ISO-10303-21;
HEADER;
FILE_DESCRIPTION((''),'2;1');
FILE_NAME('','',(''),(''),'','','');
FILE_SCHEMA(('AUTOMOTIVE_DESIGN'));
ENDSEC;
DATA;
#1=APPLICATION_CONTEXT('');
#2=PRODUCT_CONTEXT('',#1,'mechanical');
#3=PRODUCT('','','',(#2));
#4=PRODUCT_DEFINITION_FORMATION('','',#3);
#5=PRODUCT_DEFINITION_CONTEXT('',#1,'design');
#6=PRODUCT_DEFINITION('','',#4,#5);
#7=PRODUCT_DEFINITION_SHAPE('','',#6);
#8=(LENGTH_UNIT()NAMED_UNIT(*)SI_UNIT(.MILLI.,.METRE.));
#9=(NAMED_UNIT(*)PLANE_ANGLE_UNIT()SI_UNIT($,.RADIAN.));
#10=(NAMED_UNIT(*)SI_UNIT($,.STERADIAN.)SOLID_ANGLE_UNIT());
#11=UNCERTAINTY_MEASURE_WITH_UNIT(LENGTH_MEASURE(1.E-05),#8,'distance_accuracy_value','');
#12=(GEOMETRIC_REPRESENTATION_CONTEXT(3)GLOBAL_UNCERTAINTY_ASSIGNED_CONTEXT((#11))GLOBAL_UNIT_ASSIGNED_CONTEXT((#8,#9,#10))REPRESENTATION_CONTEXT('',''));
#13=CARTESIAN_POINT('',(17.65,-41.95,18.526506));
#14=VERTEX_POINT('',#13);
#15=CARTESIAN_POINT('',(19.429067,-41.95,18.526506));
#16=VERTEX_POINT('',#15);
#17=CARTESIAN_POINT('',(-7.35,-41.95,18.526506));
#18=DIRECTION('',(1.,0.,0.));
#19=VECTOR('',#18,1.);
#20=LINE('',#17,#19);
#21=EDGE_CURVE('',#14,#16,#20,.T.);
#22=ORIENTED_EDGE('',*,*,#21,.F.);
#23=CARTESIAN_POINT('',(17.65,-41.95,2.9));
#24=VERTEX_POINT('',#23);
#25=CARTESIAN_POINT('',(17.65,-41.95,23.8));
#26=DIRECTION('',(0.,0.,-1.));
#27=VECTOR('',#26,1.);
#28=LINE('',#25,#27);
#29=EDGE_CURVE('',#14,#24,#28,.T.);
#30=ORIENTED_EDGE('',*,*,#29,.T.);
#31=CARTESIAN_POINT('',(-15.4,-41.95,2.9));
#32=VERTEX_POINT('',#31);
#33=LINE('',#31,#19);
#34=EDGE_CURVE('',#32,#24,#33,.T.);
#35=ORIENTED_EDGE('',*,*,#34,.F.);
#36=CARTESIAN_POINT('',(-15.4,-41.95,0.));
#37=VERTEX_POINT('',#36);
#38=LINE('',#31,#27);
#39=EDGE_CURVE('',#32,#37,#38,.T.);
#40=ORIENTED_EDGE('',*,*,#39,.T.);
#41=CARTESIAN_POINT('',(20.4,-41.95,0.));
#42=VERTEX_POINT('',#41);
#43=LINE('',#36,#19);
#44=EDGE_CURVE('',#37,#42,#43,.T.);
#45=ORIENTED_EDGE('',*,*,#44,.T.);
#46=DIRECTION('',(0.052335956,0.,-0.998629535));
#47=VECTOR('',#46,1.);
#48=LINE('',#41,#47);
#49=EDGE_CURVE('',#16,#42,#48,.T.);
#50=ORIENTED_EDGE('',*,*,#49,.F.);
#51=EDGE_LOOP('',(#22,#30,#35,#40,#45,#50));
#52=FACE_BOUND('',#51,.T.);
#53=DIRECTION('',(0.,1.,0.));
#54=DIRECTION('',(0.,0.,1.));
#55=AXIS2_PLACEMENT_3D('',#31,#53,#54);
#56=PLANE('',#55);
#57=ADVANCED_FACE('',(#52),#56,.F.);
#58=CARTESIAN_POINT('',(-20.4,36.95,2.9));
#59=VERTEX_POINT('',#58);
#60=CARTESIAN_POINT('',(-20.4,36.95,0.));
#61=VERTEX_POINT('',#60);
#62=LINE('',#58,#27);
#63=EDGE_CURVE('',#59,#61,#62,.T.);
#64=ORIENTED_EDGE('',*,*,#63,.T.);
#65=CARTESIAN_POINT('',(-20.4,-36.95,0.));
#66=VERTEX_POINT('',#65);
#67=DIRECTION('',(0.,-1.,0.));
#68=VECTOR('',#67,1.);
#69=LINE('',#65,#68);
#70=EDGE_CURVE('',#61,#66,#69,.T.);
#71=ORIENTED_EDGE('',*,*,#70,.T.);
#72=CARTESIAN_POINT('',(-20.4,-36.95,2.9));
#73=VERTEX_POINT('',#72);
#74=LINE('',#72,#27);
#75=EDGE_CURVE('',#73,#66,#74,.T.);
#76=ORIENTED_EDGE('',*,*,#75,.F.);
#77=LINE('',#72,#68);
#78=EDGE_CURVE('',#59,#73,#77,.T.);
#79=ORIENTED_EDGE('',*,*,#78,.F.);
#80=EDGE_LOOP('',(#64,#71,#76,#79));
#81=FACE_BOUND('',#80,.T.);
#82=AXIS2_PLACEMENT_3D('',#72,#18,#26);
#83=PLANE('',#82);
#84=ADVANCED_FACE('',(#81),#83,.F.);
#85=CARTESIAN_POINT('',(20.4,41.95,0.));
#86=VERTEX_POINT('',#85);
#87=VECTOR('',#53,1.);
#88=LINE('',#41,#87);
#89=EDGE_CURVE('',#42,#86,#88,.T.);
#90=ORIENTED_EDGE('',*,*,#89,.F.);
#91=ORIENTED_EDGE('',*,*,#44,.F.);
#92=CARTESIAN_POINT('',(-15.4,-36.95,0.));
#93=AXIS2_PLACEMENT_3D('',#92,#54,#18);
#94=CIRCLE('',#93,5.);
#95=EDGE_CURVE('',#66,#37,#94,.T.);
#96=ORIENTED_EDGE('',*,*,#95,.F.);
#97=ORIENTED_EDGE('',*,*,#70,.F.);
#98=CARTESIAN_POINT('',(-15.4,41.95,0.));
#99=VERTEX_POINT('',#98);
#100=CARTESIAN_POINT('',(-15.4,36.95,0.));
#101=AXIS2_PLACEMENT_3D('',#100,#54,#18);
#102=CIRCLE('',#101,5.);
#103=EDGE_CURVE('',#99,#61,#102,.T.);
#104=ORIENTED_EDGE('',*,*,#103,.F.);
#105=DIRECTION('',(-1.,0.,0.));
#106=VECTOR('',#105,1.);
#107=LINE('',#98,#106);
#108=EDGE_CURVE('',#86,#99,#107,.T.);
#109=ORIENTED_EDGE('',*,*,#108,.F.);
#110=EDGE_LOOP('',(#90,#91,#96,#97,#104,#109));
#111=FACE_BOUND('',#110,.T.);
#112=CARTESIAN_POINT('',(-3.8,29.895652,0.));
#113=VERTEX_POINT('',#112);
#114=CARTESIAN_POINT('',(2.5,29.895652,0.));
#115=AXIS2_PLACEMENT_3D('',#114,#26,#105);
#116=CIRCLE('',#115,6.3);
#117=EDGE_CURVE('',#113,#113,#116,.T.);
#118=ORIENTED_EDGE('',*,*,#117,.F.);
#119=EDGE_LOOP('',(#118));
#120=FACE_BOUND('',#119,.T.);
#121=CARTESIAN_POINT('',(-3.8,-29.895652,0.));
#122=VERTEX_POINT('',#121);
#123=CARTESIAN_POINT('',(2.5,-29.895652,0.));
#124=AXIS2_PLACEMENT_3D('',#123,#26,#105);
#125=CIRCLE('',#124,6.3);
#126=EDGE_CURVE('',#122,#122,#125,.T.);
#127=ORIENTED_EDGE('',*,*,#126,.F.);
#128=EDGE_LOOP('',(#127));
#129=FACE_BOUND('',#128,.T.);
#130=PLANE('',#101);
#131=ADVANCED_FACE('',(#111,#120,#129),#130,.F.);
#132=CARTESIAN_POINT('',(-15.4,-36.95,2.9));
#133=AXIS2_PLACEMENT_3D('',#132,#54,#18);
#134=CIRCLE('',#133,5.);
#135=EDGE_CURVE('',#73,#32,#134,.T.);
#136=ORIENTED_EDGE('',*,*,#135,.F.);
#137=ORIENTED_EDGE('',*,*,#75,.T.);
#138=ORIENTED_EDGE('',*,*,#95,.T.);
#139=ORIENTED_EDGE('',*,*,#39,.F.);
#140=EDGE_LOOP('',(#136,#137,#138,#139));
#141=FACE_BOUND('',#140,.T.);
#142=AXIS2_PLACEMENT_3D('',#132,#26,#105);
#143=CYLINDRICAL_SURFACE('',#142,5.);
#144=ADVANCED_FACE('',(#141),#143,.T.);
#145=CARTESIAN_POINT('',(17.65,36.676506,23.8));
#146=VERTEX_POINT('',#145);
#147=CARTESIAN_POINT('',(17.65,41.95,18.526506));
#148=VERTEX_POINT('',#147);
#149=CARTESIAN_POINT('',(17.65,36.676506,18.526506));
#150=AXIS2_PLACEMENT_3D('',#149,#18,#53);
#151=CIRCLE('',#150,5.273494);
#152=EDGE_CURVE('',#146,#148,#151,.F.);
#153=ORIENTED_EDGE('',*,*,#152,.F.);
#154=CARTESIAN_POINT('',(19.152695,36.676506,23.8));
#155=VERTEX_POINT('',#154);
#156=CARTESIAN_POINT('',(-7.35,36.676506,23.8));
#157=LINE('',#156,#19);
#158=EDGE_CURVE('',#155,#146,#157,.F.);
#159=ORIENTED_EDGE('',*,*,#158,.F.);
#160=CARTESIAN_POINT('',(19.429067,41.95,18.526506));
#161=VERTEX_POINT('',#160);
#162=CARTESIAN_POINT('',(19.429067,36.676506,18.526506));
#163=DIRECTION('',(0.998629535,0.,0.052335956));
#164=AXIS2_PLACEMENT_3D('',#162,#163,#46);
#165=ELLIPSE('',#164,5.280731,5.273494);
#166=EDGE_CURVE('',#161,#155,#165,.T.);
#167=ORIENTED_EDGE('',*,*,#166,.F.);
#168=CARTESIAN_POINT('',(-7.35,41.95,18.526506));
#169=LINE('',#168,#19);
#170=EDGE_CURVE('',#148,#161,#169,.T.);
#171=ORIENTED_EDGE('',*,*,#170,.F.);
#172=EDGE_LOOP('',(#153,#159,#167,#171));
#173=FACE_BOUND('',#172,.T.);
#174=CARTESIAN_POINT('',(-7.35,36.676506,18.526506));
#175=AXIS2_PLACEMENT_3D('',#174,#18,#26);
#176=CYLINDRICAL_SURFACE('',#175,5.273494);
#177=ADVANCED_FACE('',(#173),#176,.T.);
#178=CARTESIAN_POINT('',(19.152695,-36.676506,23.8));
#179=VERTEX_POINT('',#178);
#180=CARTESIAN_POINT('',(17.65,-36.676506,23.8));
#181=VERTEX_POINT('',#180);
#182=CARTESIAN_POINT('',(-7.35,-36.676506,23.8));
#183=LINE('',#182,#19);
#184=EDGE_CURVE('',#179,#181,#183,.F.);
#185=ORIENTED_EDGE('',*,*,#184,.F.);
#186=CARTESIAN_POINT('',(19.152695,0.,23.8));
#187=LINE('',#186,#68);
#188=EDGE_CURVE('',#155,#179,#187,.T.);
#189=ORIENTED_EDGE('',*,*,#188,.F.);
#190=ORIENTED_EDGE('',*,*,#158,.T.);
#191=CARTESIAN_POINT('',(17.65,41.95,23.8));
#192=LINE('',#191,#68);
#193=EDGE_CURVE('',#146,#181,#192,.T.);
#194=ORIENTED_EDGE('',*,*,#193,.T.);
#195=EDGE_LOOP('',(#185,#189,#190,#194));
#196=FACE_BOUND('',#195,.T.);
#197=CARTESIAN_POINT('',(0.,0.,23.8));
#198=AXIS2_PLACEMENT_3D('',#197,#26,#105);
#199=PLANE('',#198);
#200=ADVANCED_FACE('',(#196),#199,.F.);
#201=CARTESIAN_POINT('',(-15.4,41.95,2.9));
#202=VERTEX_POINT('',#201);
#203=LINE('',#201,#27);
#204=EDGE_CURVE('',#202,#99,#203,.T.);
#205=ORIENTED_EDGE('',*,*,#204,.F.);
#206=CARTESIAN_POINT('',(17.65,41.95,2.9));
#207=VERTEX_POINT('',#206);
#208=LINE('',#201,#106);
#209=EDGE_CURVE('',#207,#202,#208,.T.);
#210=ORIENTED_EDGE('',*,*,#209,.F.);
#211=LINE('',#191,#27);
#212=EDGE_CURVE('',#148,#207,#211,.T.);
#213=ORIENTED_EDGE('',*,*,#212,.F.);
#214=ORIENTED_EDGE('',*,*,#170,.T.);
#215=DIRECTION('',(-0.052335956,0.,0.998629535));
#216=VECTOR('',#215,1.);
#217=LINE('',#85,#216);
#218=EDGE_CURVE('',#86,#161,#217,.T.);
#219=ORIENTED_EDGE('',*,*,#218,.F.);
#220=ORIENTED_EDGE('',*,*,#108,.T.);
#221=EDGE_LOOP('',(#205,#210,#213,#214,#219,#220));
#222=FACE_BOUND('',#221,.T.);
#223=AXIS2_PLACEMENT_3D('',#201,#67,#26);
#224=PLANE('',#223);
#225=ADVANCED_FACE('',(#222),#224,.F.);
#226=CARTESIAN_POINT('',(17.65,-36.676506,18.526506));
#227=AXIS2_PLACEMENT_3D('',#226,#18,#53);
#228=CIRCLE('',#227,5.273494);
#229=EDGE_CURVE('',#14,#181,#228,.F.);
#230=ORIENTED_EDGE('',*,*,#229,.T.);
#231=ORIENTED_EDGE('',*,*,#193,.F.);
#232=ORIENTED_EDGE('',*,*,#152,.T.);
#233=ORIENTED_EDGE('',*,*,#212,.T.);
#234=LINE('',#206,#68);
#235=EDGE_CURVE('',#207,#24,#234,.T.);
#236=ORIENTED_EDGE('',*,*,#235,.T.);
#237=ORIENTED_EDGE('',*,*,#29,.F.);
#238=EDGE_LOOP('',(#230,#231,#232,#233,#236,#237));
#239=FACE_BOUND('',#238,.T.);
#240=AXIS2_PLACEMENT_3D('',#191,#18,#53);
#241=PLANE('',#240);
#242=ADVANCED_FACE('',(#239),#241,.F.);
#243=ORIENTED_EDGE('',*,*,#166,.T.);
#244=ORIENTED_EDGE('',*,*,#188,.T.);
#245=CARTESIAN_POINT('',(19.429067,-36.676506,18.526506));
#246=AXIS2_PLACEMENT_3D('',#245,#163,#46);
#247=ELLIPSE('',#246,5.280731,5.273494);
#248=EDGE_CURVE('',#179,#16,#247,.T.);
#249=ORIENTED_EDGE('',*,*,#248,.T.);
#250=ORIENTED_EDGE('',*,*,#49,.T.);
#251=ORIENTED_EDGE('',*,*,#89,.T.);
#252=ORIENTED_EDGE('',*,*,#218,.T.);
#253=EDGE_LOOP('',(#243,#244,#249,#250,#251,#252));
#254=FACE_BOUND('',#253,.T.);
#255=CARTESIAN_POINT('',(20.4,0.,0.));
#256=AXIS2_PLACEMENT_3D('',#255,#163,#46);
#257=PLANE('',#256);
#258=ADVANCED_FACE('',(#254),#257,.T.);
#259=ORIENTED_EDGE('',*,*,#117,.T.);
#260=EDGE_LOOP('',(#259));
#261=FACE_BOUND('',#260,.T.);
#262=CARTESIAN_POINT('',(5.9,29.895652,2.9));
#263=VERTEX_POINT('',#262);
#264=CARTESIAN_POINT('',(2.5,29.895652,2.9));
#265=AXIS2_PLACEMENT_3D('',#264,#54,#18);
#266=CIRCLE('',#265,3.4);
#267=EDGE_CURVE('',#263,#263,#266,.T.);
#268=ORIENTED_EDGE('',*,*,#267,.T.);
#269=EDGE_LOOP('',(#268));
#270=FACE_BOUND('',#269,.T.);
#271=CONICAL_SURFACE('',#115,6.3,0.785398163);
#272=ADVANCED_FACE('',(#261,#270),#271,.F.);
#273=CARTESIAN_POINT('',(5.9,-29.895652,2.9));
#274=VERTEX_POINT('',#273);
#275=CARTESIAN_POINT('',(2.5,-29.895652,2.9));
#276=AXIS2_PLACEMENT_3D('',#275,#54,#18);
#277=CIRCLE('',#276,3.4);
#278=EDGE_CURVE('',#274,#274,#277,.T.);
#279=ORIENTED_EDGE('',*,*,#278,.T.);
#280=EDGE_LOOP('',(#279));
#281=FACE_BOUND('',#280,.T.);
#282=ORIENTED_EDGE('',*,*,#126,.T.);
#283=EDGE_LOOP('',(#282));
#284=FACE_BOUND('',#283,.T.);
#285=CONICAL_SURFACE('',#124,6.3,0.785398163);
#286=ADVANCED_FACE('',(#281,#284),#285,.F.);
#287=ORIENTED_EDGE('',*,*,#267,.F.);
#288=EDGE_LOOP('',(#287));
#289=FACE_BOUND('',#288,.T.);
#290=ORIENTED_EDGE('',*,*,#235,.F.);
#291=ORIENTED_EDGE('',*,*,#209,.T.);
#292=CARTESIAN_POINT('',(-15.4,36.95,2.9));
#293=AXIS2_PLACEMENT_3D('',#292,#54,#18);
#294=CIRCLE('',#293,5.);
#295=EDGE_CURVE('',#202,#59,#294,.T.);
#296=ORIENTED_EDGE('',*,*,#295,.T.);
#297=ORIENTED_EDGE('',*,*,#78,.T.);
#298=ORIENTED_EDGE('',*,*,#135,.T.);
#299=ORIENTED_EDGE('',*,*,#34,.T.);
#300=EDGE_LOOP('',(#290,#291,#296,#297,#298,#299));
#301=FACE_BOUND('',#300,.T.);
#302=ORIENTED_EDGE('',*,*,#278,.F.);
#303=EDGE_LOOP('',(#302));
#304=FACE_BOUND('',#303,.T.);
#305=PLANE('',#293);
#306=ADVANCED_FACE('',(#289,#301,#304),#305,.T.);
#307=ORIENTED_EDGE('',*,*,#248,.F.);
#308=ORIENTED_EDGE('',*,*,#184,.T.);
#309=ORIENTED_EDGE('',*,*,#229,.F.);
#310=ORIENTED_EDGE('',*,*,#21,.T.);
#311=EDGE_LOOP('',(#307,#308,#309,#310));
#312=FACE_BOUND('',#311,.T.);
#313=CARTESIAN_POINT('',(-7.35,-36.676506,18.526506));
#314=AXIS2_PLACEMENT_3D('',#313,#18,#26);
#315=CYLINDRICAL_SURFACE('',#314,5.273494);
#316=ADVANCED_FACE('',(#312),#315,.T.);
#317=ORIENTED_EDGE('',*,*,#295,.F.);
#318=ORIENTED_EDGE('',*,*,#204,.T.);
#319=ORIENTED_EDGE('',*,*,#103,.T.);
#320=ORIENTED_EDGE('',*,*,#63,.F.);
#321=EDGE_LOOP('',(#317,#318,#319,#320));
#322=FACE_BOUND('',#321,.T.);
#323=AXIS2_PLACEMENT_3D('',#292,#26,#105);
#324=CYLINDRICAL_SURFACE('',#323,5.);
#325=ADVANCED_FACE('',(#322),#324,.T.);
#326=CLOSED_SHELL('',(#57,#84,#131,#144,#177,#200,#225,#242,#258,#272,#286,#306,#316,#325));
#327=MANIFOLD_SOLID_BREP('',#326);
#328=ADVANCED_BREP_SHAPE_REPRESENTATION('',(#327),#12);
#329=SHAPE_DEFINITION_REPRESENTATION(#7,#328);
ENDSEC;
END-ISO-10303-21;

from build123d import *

# Parameters (mm, degrees)
BOSS_EXTRUDE1_DEPTH                            = 2.9
SKETCH2_W                                      = 2.75
SKETCH2_H                                      = 83.9
BOSS_EXTRUDE2_DEPTH                            = 20.9
CUT_EXTRUDE1_DEPTH                             = 27.75
CSK_FOR_M6_FLAT_HEAD_MACHINE_SCREW1_AT_2_COUNT = 2
CSK_FOR_M6_FLAT_HEAD_MACHINE_SCREW1_AT_2_PITCH = 59.791303716
SKETCH8_W                                      = 41.834673512
SKETCH8_H                                      = 83.9
CUT_REVOLVE4_ANGLE                             = 3


with BuildPart() as part:
    # Sketch1 → Boss-Extrude1 (new body)
    with BuildSketch(Plane.XY):
        with BuildLine():
            Line((-15.4, -41.95), (20.4, -41.95))
            Line((20.4, -41.95), (20.4, 41.95))
            Line((20.4, 41.95), (-15.4, 41.95))
            ThreePointArc((-15.4, 41.95), (-18.935533906, 40.485533906), (-20.4, 36.95))
            Line((-20.4, 36.95), (-20.4, -36.95))
            ThreePointArc((-20.4, -36.95), (-18.935533906, -40.485533906), (-15.4, -41.95))
        make_face()
    extrude(amount=BOSS_EXTRUDE1_DEPTH)

    # Sketch2 → Boss-Extrude2 (add)
    with BuildSketch(Plane.XY.offset(2.9)):
        with Locations((19.025, 0)):
            Rectangle(SKETCH2_W, SKETCH2_H)
    extrude(amount=BOSS_EXTRUDE2_DEPTH)

    # Sketch4 → Cut-Extrude1 (cut)
    with BuildSketch(Plane(origin=(20.4, 0, 0), x_dir=(0, 0, -1), z_dir=(1, 0, 0))):
        with BuildLine():
            Line((-23.8, 36.676506119), (-23.8, 41.95))
            Line((-23.8, 41.95), (-18.526506119, 41.95))
            ThreePointArc((-18.526506119, 41.95), (-22.255429403, 40.405429403), (-23.8, 36.676506119))
        make_face()
        with BuildLine():
            Line((-23.8, -41.95), (-23.8, -36.676506119))
            ThreePointArc((-23.8, -36.676506119), (-22.255429403, -40.405429403), (-18.526506119, -41.95))
            Line((-18.526506119, -41.95), (-23.8, -41.95))
        make_face()
    extrude(amount=-CUT_EXTRUDE1_DEPTH, mode=Mode.SUBTRACT)

    # Sketch6 → CSK for M6 Flat Head Machine Screw1 (revolve, cut)
    with BuildSketch(Plane(origin=(2.5, 29.895651858, 0), x_dir=(0, 1, 0), z_dir=(1, 0, 0))):
        Polygon((0, 0), (0, 2.9), (3.3, 2.9), (3.3, 3), (6.3, 0), align=None)
    csk_for_m6_flat_head_machine_screw1 = revolve(axis=Axis((2.5, 29.895651858, -6.35), (0, 0, 1)), mode=Mode.SUBTRACT)

    # CSK for M6 Flat Head Machine Screw1 at 2: CSK for M6 Flat Head Machine Screw1 ×2
    with Locations(*[(0, -i * CSK_FOR_M6_FLAT_HEAD_MACHINE_SCREW1_AT_2_PITCH, 0) for i in range(1, CSK_FOR_M6_FLAT_HEAD_MACHINE_SCREW1_AT_2_COUNT)]):
        add(csk_for_m6_flat_head_machine_screw1, mode=Mode.SUBTRACT)

    # Sketch8 → Cut-Revolve4 (revolve, cut)
    with BuildSketch(Plane(origin=(20.4, 0, 0), x_dir=(0, 0, -1), z_dir=(1, 0, 0))):
        with Locations((-20.917336756, 0)):
            Rectangle(SKETCH8_W, SKETCH8_H)
    revolve(axis=Axis((20.4, -41.95, 0), (0, -1, 0)), revolution_arc=CUT_REVOLVE4_ANGLE, mode=Mode.SUBTRACT)


solid = part.part
